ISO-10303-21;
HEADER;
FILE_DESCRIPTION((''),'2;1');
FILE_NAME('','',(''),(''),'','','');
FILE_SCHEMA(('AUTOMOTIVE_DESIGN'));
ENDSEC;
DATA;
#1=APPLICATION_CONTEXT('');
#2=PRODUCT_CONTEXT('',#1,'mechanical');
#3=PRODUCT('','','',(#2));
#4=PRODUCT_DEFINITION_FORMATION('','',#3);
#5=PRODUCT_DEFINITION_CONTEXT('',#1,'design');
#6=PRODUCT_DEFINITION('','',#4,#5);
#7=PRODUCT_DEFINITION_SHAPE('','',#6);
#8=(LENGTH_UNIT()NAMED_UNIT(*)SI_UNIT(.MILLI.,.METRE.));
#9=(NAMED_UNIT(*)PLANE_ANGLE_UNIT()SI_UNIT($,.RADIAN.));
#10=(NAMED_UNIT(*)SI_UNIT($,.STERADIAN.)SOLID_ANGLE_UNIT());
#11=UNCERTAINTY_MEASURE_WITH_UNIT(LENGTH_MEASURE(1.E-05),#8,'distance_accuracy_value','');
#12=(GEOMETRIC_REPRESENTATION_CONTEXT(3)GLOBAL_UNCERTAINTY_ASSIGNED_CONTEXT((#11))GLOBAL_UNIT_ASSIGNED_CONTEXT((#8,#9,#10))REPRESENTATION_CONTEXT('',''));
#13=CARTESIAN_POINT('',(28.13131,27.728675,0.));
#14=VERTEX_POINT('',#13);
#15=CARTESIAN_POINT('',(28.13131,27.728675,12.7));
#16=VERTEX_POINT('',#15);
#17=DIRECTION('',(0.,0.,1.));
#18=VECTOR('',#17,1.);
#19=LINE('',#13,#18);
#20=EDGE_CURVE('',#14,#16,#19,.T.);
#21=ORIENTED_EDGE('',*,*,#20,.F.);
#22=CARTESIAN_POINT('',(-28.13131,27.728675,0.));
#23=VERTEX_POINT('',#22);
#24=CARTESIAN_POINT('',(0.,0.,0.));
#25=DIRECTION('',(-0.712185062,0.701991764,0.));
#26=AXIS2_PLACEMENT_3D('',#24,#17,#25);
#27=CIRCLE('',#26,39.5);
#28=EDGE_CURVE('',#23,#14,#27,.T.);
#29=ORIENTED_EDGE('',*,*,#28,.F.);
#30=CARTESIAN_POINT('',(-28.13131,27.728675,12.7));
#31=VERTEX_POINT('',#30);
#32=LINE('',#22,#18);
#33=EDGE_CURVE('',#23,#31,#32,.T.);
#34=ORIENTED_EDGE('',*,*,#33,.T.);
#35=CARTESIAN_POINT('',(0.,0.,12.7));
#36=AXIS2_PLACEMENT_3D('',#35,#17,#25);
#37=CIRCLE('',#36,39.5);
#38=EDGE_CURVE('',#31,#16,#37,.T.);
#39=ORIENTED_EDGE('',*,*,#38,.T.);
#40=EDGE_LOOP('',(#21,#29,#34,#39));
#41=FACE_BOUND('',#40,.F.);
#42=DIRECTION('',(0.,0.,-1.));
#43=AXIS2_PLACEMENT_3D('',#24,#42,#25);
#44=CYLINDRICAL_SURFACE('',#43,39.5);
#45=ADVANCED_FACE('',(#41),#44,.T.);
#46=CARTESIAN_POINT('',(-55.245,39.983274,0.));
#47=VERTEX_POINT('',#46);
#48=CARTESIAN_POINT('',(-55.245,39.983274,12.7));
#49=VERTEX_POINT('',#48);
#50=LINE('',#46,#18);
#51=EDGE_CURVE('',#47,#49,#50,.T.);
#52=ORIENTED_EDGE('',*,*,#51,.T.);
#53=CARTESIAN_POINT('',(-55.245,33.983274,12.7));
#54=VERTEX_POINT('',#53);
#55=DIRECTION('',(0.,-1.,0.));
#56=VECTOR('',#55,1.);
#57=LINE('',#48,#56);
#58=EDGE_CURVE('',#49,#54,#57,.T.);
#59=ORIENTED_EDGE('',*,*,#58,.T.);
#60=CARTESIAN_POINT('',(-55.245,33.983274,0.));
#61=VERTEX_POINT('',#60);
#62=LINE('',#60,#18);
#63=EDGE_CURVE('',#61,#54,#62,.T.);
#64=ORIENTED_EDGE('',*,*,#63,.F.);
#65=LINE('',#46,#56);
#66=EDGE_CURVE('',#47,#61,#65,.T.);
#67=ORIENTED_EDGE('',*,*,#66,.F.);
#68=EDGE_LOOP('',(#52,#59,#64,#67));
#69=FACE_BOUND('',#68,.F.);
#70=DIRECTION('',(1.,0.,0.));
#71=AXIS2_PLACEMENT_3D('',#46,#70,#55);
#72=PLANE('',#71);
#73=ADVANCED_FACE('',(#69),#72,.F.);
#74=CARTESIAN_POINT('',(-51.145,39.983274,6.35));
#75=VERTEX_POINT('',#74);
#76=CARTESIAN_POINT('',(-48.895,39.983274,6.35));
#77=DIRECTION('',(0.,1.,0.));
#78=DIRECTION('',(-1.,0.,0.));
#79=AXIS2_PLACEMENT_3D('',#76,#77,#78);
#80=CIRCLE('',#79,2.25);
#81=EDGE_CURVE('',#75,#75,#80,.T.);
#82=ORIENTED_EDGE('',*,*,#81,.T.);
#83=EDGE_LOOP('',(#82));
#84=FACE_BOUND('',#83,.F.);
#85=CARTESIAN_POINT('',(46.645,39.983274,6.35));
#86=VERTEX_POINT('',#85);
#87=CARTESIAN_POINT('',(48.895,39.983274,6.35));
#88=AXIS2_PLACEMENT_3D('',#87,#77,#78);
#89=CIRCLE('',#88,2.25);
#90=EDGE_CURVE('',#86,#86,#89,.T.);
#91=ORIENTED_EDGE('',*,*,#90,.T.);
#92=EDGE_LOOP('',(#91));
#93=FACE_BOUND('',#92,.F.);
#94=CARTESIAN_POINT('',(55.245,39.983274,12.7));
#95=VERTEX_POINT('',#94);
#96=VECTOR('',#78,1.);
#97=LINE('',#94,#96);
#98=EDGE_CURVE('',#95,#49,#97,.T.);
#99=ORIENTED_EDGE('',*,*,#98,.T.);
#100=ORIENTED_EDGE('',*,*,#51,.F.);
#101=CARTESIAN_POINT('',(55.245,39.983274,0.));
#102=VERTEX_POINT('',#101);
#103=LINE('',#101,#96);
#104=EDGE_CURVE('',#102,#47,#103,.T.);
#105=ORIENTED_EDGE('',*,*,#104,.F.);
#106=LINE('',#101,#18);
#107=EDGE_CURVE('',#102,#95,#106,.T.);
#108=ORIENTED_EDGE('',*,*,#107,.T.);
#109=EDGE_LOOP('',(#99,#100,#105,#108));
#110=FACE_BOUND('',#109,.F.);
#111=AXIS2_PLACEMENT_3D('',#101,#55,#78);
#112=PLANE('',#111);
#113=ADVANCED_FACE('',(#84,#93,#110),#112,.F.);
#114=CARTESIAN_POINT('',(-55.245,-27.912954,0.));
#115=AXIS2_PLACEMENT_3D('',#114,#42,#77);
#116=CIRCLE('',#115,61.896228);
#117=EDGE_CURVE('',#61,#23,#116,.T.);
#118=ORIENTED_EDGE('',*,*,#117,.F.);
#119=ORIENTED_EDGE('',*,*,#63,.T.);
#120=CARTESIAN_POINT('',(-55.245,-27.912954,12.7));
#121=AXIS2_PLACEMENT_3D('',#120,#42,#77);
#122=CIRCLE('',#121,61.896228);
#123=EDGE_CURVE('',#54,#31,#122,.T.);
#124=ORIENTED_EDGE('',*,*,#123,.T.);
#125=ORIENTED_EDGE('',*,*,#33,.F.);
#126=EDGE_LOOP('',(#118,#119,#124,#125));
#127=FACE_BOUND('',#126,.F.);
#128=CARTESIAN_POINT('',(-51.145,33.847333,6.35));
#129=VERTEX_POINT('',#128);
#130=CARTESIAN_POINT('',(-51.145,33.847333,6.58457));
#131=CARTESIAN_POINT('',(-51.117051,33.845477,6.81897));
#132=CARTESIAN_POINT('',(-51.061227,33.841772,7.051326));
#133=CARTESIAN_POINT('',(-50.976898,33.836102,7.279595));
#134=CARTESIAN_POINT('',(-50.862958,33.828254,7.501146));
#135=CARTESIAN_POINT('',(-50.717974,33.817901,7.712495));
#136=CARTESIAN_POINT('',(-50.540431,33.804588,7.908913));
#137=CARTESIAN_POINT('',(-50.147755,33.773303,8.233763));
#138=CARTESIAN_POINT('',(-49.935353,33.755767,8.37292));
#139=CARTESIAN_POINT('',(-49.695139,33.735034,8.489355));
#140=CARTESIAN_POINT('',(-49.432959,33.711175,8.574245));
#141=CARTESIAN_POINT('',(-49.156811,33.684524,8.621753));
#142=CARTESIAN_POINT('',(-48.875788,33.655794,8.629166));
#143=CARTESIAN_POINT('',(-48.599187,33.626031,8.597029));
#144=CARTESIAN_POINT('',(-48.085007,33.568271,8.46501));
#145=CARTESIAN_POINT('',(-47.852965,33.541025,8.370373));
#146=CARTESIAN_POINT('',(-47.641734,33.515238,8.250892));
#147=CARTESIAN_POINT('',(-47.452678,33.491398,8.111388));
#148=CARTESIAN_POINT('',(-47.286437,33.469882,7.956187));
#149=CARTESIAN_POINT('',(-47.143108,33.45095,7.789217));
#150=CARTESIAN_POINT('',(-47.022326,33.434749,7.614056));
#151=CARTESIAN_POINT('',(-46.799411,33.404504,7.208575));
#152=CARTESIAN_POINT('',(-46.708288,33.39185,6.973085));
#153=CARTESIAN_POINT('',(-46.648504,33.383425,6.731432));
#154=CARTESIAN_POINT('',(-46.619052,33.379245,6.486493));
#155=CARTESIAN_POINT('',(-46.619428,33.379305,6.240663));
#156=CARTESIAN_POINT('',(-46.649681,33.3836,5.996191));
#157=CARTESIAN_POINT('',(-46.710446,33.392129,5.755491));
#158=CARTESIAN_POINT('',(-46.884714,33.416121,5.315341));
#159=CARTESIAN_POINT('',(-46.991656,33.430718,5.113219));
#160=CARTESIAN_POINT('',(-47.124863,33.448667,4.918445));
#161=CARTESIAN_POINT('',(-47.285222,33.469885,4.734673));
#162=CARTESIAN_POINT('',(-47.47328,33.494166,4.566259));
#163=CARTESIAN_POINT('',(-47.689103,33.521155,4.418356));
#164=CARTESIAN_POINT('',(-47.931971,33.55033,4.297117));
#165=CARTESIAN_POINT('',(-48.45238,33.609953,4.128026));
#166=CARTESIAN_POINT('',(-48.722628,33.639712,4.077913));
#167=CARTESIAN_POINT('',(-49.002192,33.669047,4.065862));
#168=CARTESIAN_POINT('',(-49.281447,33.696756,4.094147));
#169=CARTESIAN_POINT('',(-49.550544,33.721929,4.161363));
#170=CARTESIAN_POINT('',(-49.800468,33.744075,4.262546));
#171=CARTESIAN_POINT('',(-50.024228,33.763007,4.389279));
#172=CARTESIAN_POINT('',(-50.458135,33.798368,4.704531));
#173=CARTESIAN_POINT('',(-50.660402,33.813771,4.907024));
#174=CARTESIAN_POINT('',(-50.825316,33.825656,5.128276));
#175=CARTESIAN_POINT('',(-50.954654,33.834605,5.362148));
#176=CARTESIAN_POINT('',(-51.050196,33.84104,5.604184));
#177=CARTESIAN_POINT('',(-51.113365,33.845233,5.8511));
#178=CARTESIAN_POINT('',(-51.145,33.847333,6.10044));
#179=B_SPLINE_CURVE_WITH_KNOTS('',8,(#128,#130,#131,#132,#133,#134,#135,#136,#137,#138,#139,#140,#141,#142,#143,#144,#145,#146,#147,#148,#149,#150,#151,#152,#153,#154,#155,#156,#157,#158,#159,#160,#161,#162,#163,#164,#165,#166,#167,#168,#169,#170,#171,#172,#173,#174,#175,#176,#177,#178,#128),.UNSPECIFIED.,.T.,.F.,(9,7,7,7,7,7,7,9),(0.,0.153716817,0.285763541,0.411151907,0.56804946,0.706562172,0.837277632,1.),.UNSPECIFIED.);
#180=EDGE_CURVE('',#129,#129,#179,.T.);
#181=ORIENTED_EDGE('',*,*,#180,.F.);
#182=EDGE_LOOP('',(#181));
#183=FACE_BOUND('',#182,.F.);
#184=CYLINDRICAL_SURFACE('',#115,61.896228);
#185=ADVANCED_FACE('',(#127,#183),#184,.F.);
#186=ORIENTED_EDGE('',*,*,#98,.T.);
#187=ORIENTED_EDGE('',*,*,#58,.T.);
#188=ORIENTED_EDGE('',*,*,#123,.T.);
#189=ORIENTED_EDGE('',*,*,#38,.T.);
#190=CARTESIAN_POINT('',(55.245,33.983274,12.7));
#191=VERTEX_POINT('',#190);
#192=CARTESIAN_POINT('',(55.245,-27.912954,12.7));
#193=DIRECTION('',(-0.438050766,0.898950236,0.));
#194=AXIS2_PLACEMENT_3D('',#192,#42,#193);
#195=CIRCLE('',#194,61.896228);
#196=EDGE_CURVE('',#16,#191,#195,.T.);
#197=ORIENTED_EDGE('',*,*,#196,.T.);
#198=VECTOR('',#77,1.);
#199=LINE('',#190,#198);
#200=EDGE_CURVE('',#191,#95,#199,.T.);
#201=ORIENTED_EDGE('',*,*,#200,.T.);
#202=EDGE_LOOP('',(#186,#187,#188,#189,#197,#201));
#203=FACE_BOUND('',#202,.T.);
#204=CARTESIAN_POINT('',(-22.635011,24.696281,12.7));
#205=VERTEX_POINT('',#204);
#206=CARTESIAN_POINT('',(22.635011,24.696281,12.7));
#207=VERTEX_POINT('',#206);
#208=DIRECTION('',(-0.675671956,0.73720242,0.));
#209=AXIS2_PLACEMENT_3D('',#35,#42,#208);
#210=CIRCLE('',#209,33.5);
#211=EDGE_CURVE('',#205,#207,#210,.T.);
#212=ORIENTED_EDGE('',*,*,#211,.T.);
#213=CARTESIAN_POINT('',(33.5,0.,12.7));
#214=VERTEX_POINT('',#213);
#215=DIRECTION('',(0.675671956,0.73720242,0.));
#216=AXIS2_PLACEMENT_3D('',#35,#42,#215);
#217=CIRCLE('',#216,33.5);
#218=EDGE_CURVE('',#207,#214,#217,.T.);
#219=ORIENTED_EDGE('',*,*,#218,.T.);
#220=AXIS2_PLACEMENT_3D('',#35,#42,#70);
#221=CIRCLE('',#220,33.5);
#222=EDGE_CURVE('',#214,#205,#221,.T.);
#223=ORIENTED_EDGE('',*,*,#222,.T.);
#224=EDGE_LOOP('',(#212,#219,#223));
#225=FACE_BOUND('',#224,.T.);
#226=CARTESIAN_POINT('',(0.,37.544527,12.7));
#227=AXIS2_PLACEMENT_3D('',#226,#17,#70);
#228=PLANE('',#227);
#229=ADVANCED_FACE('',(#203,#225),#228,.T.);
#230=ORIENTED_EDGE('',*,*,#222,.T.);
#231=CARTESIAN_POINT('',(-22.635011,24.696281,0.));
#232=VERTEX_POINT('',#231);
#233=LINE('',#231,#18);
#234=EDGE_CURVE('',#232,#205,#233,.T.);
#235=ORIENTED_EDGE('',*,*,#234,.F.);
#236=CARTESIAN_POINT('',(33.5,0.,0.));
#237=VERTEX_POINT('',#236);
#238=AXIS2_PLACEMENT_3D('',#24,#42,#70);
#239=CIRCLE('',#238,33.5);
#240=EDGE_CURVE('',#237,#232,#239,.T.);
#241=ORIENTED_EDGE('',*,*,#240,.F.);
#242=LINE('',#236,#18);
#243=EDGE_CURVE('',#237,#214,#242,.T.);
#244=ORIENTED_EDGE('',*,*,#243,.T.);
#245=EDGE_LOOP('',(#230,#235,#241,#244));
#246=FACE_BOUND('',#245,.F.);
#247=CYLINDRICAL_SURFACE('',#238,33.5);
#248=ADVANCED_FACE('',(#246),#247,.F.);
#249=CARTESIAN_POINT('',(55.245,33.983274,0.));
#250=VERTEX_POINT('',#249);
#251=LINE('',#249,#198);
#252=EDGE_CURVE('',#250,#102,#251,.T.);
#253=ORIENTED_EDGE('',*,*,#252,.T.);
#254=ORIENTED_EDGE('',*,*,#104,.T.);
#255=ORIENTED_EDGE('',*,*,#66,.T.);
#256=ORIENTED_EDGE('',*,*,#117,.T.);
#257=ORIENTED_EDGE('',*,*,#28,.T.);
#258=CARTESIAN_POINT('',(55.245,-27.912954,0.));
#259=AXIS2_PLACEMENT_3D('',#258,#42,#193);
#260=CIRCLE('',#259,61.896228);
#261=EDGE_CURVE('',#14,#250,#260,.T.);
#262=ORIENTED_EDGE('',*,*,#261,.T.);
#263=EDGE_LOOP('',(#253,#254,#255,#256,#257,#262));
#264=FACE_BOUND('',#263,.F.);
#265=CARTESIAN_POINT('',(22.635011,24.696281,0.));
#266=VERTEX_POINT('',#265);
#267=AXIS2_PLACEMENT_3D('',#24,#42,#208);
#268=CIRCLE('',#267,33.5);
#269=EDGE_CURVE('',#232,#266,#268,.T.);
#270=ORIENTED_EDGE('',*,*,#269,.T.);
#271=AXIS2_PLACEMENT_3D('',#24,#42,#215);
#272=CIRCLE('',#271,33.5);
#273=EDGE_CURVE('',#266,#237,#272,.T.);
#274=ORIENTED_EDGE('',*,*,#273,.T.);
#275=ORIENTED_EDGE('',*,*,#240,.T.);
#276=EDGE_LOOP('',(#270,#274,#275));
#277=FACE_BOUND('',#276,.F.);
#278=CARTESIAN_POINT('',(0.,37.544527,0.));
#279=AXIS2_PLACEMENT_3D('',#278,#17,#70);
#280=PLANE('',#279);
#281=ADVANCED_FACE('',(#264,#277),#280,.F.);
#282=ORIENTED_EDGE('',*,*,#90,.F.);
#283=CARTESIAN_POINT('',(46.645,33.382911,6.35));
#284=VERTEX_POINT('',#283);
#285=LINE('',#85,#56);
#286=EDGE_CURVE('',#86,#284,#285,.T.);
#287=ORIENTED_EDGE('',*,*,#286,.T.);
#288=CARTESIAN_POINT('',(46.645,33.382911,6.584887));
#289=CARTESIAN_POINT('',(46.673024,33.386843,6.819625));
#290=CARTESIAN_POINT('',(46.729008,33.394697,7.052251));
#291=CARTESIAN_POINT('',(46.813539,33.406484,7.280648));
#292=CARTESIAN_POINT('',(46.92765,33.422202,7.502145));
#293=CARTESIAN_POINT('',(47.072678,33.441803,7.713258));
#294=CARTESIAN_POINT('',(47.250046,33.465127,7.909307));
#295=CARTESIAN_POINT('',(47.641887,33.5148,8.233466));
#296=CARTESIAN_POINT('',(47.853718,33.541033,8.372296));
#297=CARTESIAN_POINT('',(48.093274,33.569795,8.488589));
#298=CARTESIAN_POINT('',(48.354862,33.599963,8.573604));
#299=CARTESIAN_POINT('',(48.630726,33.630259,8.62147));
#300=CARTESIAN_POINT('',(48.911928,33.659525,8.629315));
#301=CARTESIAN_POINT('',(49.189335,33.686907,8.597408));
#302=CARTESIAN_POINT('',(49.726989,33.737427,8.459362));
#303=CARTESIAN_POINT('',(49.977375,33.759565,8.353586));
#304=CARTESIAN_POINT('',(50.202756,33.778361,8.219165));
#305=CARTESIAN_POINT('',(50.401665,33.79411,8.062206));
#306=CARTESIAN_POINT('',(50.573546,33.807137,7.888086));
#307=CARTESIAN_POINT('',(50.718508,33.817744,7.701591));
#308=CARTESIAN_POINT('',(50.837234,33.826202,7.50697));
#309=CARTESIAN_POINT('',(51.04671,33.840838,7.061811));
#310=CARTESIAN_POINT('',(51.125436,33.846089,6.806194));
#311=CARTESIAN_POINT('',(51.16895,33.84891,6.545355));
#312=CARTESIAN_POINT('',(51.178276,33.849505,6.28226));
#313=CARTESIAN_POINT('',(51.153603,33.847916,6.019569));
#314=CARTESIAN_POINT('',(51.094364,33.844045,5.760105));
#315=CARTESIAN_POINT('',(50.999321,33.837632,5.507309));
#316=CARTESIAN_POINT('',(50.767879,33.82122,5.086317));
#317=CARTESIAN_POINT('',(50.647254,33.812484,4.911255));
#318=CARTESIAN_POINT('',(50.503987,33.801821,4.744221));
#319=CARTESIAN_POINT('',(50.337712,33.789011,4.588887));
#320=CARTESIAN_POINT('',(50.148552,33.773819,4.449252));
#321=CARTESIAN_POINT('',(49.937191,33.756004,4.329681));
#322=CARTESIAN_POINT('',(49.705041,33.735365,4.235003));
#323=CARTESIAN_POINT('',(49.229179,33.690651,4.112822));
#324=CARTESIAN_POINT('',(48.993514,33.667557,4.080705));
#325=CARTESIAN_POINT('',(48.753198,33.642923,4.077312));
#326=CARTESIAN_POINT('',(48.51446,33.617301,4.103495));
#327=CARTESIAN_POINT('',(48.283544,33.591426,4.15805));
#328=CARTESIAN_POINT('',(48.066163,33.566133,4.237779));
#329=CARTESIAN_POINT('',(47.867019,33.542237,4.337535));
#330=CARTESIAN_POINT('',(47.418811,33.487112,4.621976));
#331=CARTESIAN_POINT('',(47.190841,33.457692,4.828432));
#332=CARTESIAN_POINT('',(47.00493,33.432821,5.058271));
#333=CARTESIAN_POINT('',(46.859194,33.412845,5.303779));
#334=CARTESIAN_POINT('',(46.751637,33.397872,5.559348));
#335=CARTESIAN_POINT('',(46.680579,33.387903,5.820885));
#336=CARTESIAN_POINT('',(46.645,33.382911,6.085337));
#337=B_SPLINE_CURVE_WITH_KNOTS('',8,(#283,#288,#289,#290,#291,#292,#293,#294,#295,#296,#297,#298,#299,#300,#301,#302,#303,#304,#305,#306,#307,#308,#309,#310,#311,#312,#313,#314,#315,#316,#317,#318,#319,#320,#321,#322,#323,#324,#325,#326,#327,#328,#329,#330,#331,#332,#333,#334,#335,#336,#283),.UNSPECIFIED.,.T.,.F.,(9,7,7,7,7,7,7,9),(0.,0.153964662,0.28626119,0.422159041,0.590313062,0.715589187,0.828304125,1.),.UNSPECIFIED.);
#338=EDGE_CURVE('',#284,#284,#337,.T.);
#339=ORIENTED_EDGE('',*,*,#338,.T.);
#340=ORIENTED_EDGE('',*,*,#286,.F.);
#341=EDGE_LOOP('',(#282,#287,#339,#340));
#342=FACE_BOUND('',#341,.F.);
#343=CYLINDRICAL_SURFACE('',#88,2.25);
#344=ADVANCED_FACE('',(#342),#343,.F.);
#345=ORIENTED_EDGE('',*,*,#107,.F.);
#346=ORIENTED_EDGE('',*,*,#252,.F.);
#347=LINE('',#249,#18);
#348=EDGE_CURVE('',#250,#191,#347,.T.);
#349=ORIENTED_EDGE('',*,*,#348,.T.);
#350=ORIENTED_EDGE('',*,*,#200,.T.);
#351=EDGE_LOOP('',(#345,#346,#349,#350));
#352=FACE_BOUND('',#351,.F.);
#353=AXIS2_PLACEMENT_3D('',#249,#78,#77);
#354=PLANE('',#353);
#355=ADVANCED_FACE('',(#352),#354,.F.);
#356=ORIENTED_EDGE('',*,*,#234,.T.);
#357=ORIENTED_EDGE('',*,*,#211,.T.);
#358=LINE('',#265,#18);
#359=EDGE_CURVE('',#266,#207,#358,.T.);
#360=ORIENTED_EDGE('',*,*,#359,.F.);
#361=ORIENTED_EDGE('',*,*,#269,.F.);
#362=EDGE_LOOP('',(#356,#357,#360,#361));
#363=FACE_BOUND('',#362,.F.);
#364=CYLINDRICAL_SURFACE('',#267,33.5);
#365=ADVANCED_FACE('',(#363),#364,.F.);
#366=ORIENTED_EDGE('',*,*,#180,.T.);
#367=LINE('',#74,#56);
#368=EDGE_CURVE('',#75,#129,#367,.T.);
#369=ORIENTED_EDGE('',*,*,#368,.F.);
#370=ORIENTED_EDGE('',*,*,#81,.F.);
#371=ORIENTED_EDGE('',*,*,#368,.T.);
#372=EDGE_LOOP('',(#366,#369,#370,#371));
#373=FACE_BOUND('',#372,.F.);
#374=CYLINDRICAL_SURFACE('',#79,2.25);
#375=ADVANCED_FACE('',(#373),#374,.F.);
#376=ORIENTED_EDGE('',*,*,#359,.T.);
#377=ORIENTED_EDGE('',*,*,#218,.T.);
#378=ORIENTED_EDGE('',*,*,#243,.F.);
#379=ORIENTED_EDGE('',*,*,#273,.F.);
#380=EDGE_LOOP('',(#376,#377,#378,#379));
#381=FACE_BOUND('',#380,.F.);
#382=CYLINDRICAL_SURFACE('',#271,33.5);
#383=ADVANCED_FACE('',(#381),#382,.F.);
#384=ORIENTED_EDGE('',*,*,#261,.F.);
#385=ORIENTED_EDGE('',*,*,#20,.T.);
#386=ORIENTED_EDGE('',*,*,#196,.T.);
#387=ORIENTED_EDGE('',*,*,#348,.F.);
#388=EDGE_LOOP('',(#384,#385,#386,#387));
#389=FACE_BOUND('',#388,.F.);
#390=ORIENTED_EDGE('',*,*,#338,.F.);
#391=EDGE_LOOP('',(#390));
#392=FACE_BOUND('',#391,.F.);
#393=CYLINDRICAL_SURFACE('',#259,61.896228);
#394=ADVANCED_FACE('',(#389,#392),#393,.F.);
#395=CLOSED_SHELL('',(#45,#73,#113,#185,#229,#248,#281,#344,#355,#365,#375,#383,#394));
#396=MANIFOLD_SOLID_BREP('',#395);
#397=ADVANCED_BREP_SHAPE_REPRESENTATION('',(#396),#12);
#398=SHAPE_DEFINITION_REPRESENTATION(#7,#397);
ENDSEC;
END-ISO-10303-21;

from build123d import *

# Parameters (mm, degrees)
F1_DEPTH = 12.7
F2_R     = 2.25
F3_DEPTH = 6.6013633093


with BuildPart() as f1:
    # F0 (on Top) → F1 (new body)
    with BuildSketch(Plane.XY):
        with BuildLine():
            ThreePointArc((-20.1342269146, 33.9832739234), (0, 39.5), (20.1342269146, 33.9832739234))
            Line((20.1342269146, 33.9832739234), (55.245, 33.9832739234))
            Line((55.245, 33.9832739234), (55.245, 39.9832739234))
            Line((55.245, 39.9832739234), (-55.245, 39.9832739234))
            Line((-55.245, 39.9832739234), (-55.245, 33.9832739234))
            Line((-55.245, 33.9832739234), (-20.1342269146, 33.9832739234))
        make_face()
        with BuildLine():
            ThreePointArc((-55.245, 33.9832739234), (-41.3321264733, 32.3993580195), (-28.1313099624, 27.7286746852))
            ThreePointArc((-28.1313099624, 27.7286746852), (-24.3345539391, 31.1139757117), (-20.1342269146, 33.9832739234))
            Line((-20.1342269146, 33.9832739234), (-55.245, 33.9832739234))
        make_face()
        with BuildLine():
            ThreePointArc((-22.6350105135, 24.6962810774), (0, 33.5), (22.6350105135, 24.6962810774))
            ThreePointArc((22.6350105135, 24.6962810774), (25.3446935346, 26.2821998724), (28.1313099624, 27.7286746852))
            ThreePointArc((28.1313099624, 27.7286746852), (24.3345539391, 31.1139757117), (20.1342269146, 33.9832739234))
            Line((20.1342269146, 33.9832739234), (-20.1342269146, 33.9832739234))
            ThreePointArc((-20.1342269146, 33.9832739234), (-24.3345539391, 31.1139757117), (-28.1313099624, 27.7286746852))
            ThreePointArc((-28.1313099624, 27.7286746852), (-25.3446935346, 26.2821998724), (-22.6350105135, 24.6962810774))
        make_face()
        with BuildLine():
            Line((-20.1342269146, 33.9832739234), (20.1342269146, 33.9832739234))
            ThreePointArc((20.1342269146, 33.9832739234), (0, 39.5), (-20.1342269146, 33.9832739234))
        make_face()
        with BuildLine():
            ThreePointArc((20.1342269146, 33.9832739234), (24.3345539391, 31.1139757117), (28.1313099624, 27.7286746852))
            ThreePointArc((28.1313099624, 27.7286746852), (41.3321264733, 32.3993580195), (55.245, 33.9832739234))
            Line((55.245, 33.9832739234), (20.1342269146, 33.9832739234))
        make_face()
        with BuildLine():
            ThreePointArc((22.6350105135, 24.6962810774), (30.6636825267, 13.4903140771), (33.5, 0))
            ThreePointArc((33.5, 0), (-13.4903140771, -30.6636825267), (-22.6350105135, 24.6962810774))
            ThreePointArc((-22.6350105135, 24.6962810774), (-25.3446935346, 26.2821998724), (-28.1313099624, 27.7286746852))
            ThreePointArc((-28.1313099624, 27.7286746852), (-14.9843794747, -36.547481059), (39.5, 0))
            ThreePointArc((39.5, 0), (36.547481059, 14.9843794747), (28.1313099624, 27.7286746852))
            ThreePointArc((28.1313099624, 27.7286746852), (25.3446935346, 26.2821998724), (22.6350105135, 24.6962810774))
        make_face()
    extrude(amount=F1_DEPTH)

    # F2 (on face) → F3 (cut, through all)
    with BuildSketch(Plane(origin=(0, 39.9832739234, 0), x_dir=(-1, 0, 0), z_dir=(0, 1, 0))):
        with Locations((-48.895, 6.35)):
            Circle(F2_R)
        with Locations((48.895, 6.35)):
            Circle(F2_R)
    extrude(amount=-F3_DEPTH, mode=Mode.SUBTRACT)


solid = f1.part
